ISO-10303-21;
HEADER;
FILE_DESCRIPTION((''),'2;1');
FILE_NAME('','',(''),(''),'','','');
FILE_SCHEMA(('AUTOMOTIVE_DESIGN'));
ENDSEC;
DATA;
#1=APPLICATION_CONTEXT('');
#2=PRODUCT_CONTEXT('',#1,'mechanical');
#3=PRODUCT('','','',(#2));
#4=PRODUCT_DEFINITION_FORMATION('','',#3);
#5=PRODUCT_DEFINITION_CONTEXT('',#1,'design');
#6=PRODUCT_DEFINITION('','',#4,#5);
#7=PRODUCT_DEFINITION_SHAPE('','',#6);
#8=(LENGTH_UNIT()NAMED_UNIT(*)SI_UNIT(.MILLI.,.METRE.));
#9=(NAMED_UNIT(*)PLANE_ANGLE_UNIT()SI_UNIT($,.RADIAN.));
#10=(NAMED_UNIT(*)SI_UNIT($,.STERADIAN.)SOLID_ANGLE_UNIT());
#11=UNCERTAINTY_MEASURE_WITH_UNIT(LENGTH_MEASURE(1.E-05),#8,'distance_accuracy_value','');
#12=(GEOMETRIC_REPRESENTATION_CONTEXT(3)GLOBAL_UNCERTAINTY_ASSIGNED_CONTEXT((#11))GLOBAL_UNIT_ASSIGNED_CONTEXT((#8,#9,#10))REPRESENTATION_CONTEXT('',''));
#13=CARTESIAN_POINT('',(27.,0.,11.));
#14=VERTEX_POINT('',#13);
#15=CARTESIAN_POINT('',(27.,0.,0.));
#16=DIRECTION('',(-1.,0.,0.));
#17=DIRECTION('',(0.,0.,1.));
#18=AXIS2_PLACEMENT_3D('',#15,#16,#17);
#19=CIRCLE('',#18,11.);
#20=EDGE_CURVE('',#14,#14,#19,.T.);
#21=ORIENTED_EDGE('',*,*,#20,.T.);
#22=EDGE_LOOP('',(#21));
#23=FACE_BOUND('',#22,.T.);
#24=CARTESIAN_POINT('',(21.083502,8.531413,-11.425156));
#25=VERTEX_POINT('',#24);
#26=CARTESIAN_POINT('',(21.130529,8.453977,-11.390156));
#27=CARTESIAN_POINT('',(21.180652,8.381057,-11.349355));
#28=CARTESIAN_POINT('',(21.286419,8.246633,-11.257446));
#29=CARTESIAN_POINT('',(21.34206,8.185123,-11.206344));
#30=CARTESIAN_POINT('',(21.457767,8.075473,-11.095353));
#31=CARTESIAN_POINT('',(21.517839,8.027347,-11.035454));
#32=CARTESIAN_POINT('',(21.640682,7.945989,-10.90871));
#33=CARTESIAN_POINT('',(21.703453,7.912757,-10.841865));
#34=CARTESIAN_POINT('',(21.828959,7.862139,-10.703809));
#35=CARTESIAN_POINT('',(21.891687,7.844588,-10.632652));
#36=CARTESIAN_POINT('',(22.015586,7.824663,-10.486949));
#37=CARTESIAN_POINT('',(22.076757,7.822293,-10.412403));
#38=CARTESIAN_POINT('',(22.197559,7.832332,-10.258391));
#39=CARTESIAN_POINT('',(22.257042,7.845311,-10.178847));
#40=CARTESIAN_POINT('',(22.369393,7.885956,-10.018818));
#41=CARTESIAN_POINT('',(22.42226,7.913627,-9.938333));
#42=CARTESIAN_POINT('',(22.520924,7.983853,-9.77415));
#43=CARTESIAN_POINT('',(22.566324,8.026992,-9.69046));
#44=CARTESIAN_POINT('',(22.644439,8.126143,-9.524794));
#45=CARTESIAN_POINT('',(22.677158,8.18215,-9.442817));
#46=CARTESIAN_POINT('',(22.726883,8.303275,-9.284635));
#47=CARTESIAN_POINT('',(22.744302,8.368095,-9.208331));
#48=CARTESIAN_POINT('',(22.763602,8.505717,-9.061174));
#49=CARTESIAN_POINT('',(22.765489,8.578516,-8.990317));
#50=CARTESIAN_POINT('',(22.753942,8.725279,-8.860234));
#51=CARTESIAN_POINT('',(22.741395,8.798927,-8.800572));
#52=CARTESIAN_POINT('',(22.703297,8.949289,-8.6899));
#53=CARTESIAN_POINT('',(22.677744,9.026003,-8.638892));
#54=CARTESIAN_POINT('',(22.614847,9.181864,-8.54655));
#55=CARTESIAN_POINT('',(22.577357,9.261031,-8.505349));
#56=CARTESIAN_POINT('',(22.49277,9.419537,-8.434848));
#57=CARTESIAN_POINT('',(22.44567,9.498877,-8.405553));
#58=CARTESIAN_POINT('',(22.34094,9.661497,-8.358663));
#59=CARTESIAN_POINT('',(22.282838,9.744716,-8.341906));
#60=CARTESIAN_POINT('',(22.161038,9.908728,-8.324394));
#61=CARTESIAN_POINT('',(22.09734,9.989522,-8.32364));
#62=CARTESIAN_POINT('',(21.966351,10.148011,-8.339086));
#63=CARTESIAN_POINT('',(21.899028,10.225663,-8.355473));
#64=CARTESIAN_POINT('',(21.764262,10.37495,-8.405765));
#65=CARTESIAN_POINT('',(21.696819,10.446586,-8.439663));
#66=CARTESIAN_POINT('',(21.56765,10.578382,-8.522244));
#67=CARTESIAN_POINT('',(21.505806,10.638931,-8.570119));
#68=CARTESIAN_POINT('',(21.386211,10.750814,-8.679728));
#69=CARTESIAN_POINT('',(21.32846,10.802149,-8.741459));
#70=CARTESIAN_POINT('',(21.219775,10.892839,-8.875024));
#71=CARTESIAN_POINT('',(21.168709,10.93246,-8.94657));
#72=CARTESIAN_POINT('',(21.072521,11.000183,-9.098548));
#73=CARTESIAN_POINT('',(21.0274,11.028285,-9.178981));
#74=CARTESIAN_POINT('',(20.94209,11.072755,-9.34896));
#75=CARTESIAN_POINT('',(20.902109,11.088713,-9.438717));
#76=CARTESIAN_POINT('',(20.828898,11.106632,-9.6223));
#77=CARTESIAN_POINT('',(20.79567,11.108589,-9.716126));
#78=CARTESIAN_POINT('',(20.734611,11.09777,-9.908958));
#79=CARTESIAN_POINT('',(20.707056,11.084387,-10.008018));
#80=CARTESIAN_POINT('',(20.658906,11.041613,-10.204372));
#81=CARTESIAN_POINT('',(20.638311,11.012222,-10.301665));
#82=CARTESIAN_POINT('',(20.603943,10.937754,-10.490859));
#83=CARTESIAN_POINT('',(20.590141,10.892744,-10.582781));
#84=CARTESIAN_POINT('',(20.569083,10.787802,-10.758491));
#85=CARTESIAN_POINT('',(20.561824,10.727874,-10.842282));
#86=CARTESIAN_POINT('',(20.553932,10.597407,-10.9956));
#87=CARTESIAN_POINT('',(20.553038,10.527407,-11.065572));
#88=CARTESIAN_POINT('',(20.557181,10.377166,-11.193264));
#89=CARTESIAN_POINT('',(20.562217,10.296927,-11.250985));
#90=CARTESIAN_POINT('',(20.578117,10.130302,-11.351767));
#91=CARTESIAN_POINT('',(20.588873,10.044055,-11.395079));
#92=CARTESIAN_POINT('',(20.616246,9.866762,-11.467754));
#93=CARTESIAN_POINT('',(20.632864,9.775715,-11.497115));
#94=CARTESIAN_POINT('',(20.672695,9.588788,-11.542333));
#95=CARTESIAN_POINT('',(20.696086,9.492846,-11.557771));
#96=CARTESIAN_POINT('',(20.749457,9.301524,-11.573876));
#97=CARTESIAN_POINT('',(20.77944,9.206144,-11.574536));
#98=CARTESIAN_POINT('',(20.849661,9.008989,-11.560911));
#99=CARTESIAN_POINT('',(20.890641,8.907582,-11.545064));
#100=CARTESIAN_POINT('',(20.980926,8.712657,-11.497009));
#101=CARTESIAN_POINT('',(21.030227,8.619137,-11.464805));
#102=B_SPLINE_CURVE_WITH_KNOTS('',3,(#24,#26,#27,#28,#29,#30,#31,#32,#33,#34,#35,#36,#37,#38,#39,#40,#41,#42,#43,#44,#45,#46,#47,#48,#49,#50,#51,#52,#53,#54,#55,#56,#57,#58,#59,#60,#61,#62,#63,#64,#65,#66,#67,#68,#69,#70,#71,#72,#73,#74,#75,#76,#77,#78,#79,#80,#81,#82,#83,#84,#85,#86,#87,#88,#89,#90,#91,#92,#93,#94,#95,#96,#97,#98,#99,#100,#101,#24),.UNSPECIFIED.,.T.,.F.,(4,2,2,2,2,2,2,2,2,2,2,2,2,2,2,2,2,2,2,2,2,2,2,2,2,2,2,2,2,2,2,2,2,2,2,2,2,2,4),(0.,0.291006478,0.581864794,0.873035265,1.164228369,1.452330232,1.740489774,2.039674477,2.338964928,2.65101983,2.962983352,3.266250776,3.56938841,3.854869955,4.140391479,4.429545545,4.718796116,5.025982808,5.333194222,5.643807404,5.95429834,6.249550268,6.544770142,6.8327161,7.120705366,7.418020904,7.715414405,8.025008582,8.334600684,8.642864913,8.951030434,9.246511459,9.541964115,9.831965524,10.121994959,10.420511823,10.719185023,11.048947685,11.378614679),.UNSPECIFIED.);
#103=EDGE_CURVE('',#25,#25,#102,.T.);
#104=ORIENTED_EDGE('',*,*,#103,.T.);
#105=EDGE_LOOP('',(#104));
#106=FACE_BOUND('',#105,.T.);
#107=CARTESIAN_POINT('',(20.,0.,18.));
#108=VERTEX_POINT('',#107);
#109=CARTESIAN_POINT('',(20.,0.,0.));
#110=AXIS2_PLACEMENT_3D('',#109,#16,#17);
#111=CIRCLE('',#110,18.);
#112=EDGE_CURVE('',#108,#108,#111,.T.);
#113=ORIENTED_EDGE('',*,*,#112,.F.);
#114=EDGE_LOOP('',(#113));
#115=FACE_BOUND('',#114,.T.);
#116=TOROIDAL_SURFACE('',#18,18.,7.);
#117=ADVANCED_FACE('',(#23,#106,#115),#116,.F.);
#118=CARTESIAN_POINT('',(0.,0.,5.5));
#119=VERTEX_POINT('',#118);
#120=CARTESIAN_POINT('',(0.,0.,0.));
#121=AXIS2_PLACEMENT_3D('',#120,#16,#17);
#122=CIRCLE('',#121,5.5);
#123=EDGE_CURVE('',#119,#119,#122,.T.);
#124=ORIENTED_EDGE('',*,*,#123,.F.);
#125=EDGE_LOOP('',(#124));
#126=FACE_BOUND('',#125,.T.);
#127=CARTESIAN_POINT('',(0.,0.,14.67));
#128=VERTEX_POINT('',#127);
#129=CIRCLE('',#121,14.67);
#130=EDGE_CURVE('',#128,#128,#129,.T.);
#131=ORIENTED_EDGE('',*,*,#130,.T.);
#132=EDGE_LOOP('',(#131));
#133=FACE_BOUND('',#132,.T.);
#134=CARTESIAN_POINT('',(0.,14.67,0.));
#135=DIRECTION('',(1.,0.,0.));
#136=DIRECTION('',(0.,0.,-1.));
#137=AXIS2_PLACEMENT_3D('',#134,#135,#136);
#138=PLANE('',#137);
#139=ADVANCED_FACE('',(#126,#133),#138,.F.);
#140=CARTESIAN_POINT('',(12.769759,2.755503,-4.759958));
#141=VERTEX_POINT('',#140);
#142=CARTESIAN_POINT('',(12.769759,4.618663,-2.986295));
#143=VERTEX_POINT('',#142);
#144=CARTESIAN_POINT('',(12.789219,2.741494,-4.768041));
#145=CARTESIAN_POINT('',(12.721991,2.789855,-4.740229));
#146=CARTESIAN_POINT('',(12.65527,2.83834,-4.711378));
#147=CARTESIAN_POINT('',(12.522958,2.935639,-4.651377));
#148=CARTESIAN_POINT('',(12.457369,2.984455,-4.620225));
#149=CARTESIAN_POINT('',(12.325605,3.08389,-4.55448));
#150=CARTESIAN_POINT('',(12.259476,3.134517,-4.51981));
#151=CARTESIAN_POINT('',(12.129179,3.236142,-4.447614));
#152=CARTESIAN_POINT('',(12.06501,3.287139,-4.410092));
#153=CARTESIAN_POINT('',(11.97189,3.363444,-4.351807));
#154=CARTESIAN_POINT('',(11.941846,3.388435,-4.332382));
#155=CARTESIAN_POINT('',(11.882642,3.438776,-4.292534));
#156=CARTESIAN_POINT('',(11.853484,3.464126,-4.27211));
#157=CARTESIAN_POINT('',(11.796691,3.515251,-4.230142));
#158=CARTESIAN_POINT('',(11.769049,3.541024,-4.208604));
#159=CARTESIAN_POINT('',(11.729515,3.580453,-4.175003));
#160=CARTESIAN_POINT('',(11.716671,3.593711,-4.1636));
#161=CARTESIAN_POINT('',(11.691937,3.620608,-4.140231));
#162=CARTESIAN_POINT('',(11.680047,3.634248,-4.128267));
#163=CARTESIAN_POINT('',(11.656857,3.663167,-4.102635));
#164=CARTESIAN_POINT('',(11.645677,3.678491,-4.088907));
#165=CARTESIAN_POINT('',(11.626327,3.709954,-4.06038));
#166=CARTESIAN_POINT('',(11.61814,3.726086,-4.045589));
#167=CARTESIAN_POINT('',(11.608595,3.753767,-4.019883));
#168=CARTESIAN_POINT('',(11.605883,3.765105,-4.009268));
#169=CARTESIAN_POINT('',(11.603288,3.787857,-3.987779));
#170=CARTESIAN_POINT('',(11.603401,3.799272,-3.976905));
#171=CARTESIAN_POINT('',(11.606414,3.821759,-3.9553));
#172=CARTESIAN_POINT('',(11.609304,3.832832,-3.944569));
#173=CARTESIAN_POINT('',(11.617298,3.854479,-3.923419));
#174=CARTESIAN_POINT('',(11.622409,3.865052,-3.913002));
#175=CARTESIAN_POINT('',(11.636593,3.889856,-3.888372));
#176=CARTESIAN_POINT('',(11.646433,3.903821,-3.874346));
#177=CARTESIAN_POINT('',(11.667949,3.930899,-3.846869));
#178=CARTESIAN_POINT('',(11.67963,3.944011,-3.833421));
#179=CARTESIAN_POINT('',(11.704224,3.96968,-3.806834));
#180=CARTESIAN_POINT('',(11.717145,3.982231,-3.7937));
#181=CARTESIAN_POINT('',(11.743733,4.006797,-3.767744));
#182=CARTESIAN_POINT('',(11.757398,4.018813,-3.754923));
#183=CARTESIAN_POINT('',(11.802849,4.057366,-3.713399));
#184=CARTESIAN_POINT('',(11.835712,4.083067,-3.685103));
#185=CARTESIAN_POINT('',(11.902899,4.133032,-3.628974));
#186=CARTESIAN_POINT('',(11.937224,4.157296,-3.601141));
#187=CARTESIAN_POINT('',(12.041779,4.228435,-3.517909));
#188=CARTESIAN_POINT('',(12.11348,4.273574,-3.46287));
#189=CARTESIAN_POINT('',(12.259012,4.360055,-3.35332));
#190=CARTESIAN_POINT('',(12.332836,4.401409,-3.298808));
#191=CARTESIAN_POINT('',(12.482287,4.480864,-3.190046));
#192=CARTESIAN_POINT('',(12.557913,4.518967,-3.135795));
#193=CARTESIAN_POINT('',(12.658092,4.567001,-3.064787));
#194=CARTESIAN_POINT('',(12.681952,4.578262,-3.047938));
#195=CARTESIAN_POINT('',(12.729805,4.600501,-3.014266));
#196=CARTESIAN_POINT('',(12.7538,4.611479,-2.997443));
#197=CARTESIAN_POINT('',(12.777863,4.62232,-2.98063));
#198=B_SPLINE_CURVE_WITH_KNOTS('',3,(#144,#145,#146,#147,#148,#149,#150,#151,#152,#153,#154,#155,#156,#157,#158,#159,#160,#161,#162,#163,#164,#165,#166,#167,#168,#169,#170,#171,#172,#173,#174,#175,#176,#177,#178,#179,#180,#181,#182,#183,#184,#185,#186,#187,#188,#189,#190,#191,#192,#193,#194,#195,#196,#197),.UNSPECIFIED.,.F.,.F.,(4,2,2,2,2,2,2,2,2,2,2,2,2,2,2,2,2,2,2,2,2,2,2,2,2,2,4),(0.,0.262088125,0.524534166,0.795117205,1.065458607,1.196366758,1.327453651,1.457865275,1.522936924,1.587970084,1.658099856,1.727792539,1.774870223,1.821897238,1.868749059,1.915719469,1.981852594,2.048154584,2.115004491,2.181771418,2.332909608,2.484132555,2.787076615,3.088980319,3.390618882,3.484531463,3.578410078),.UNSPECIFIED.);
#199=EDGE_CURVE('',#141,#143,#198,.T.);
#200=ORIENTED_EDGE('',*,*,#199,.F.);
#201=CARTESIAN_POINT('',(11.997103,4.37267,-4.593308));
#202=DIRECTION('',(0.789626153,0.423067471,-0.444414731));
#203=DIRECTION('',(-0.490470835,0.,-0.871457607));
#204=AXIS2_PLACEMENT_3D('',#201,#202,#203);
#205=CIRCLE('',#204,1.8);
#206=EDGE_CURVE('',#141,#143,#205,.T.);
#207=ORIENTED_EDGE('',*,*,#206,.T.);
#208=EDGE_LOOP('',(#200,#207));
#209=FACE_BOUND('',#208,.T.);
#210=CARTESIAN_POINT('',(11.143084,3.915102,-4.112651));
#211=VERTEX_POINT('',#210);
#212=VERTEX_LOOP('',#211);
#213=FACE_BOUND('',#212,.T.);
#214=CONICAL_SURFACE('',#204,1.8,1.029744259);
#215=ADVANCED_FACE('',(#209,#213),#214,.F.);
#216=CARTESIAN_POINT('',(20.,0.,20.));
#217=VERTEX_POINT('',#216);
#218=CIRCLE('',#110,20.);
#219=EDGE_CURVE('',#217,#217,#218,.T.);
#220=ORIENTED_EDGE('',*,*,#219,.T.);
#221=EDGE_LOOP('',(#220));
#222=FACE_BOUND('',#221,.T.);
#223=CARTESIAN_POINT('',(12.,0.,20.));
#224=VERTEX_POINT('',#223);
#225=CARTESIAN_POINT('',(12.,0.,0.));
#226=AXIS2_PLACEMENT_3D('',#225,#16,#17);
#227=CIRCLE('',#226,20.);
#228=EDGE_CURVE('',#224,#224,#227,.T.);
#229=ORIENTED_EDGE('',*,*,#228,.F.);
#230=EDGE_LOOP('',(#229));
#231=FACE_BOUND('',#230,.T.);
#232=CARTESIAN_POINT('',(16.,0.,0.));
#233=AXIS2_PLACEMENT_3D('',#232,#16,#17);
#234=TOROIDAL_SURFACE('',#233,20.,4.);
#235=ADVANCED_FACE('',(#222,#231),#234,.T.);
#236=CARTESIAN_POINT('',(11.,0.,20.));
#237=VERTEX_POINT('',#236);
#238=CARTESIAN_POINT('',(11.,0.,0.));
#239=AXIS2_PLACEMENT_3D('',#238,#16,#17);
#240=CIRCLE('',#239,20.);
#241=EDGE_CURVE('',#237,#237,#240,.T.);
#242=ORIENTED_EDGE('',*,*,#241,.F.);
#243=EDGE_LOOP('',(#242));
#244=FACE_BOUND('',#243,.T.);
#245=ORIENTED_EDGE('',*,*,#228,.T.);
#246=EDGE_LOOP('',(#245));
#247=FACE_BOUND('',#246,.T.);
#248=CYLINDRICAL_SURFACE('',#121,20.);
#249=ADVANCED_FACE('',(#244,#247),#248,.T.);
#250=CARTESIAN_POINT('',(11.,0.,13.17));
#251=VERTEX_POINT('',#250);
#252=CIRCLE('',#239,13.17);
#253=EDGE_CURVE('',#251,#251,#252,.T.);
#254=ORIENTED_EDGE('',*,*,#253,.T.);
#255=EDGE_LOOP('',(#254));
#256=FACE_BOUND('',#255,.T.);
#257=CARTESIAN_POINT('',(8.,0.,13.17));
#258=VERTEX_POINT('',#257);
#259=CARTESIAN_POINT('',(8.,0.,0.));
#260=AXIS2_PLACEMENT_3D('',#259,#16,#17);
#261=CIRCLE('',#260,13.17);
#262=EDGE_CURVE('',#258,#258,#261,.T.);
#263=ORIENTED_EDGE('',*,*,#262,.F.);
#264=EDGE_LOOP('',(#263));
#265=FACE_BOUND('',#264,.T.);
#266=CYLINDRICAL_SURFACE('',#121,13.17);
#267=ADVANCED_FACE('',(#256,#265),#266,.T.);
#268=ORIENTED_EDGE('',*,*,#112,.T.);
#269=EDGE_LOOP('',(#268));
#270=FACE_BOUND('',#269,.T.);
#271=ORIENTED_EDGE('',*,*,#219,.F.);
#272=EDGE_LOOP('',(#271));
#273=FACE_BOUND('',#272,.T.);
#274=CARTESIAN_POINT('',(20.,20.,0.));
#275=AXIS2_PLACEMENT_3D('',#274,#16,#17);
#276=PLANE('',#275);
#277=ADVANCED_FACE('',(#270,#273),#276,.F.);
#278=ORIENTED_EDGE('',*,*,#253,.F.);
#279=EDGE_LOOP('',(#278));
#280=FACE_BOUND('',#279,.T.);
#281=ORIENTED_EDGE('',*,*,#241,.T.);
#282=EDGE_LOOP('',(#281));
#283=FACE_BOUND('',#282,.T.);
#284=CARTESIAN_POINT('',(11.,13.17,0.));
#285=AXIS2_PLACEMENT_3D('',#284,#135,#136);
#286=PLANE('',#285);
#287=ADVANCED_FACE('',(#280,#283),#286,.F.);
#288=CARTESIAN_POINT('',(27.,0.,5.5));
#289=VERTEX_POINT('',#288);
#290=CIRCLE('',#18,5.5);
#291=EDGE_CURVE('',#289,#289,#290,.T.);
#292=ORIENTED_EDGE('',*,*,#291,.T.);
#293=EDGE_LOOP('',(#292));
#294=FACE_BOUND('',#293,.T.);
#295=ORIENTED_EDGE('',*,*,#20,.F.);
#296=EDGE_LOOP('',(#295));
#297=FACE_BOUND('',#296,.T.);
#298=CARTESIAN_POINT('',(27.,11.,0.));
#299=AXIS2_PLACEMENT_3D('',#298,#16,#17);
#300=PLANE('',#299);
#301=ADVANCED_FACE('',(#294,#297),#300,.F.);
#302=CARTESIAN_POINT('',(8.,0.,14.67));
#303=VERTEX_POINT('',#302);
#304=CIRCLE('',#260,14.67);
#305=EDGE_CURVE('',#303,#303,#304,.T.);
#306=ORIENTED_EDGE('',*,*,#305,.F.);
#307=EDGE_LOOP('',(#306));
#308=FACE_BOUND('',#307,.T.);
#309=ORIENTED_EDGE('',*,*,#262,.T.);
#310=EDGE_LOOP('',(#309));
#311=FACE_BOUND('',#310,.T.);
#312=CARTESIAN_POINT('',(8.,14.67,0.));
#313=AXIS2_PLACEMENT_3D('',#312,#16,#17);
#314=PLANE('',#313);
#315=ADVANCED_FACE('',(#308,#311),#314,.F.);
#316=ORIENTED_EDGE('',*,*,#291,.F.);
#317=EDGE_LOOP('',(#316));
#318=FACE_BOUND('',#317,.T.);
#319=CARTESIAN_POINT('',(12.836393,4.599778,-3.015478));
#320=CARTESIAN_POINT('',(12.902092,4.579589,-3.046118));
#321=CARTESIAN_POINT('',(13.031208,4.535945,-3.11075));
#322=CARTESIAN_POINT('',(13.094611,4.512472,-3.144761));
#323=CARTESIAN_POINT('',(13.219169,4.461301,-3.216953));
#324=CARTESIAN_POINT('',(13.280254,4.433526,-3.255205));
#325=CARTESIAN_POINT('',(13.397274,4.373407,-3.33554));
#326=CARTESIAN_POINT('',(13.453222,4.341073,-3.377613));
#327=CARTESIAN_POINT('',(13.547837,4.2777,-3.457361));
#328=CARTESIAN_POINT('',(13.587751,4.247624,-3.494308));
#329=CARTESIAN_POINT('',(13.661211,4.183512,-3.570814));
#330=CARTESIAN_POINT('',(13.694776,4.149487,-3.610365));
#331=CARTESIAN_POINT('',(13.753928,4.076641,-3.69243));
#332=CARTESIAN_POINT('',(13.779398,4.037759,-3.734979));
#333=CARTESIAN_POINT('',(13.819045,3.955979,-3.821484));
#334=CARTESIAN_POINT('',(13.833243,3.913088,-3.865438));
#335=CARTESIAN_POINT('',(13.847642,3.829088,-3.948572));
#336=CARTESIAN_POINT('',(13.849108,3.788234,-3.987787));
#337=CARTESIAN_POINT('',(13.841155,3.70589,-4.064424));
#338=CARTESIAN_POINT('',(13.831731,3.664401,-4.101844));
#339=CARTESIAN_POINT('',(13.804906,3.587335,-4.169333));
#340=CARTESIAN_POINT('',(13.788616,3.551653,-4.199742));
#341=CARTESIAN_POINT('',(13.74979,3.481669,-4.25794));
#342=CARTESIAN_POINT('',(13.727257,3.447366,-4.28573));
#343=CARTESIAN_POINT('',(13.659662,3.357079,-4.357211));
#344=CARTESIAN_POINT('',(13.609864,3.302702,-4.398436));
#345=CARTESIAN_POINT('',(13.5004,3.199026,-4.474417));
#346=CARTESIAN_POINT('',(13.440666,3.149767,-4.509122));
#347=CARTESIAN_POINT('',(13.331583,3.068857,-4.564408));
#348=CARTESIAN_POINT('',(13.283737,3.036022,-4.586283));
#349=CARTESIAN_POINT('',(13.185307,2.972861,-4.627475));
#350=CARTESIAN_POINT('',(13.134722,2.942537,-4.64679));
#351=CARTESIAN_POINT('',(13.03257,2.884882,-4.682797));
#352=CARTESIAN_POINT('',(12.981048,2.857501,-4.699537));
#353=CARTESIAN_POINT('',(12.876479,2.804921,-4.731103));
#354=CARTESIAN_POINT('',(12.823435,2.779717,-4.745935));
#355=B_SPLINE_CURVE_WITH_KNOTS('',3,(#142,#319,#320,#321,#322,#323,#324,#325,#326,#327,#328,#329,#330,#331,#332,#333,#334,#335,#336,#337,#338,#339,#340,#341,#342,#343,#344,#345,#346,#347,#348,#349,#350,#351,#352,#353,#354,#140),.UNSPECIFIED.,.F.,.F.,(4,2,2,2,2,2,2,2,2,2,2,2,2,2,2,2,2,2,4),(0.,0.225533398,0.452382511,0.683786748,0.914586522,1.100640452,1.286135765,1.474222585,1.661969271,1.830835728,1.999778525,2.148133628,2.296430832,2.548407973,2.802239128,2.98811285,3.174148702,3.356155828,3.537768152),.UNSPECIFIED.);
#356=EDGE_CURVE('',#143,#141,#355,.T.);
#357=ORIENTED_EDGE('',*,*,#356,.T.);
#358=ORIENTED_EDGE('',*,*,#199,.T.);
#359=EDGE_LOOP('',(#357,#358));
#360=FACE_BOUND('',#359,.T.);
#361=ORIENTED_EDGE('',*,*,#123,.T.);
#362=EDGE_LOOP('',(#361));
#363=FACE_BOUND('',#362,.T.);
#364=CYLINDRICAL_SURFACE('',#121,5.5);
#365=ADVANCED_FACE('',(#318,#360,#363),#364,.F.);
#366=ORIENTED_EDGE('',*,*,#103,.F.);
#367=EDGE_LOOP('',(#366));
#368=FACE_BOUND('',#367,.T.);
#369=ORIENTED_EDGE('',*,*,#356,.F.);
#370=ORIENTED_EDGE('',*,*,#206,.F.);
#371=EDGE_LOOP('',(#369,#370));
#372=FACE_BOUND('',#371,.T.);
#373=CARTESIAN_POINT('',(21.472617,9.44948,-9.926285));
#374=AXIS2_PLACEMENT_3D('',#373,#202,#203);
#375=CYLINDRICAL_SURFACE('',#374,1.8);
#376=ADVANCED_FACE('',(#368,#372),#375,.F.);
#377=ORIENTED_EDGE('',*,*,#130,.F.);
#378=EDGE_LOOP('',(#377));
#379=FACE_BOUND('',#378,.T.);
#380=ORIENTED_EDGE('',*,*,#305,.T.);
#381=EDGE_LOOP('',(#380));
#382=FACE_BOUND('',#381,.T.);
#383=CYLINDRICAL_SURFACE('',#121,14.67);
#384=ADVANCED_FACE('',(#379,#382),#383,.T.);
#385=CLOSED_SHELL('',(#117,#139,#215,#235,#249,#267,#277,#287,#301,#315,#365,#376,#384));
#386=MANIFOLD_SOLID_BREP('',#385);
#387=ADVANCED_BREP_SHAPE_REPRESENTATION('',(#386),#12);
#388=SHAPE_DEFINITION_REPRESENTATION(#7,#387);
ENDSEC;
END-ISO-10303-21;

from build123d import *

# Parameters (mm, degrees)
F_3_6_3_6_DIAMETER_HOLE1_D     = 3.6
F_3_6_3_6_DIAMETER_HOLE1_DEPTH = 12
F_3_6_3_6_DIAMETER_HOLE1_TIP   = 1.081549114


with BuildPart() as part:
    # Sketch1 → Revolve1 (revolve)
    with BuildSketch(Plane.XY, mode=Mode.PRIVATE) as revolve1_sk:
        with BuildLine():
            Line((0, 14.67), (0, 5.5))
            Line((0, 5.5), (27, 5.5))
            Line((27, 5.5), (27, 11))
            ThreePointArc((27, 11), (22.050252532, 13.050252532), (20, 18))
            Line((20, 18), (20, 20))
            ThreePointArc((20, 20), (16, 24), (12, 20))
            Line((12, 20), (11, 20))
            Line((11, 20), (11, 13.17))
            Line((11, 13.17), (8, 13.17))
            Line((8, 13.17), (8, 14.67))
            Line((8, 14.67), (0, 14.67))
        make_face()
    revolve(revolve1_sk.sketch.rotate(Axis((0, 0, 0), (1, 0, 0)), 90), axis=Axis((0, 0, 0), (1, 0, 0)))

    # Ø3.6 (3.6) Diameter Hole1
    with Locations(Plane(origin=(21.47261693, 9.449479998, -9.92628458), x_dir=(0.49047083458, 0, 0.871457606787), z_dir=(0.789626152924, 0.423067471154, -0.444414731382))):
        with Locations((0, 0)):
            Hole(F_3_6_3_6_DIAMETER_HOLE1_D / 2, depth=F_3_6_3_6_DIAMETER_HOLE1_DEPTH)
            with Locations((0, 0, -(F_3_6_3_6_DIAMETER_HOLE1_DEPTH + F_3_6_3_6_DIAMETER_HOLE1_TIP / 2))):  # 118° drill point
                Cone(0, F_3_6_3_6_DIAMETER_HOLE1_D / 2, F_3_6_3_6_DIAMETER_HOLE1_TIP, mode=Mode.SUBTRACT)


solid = part.part
